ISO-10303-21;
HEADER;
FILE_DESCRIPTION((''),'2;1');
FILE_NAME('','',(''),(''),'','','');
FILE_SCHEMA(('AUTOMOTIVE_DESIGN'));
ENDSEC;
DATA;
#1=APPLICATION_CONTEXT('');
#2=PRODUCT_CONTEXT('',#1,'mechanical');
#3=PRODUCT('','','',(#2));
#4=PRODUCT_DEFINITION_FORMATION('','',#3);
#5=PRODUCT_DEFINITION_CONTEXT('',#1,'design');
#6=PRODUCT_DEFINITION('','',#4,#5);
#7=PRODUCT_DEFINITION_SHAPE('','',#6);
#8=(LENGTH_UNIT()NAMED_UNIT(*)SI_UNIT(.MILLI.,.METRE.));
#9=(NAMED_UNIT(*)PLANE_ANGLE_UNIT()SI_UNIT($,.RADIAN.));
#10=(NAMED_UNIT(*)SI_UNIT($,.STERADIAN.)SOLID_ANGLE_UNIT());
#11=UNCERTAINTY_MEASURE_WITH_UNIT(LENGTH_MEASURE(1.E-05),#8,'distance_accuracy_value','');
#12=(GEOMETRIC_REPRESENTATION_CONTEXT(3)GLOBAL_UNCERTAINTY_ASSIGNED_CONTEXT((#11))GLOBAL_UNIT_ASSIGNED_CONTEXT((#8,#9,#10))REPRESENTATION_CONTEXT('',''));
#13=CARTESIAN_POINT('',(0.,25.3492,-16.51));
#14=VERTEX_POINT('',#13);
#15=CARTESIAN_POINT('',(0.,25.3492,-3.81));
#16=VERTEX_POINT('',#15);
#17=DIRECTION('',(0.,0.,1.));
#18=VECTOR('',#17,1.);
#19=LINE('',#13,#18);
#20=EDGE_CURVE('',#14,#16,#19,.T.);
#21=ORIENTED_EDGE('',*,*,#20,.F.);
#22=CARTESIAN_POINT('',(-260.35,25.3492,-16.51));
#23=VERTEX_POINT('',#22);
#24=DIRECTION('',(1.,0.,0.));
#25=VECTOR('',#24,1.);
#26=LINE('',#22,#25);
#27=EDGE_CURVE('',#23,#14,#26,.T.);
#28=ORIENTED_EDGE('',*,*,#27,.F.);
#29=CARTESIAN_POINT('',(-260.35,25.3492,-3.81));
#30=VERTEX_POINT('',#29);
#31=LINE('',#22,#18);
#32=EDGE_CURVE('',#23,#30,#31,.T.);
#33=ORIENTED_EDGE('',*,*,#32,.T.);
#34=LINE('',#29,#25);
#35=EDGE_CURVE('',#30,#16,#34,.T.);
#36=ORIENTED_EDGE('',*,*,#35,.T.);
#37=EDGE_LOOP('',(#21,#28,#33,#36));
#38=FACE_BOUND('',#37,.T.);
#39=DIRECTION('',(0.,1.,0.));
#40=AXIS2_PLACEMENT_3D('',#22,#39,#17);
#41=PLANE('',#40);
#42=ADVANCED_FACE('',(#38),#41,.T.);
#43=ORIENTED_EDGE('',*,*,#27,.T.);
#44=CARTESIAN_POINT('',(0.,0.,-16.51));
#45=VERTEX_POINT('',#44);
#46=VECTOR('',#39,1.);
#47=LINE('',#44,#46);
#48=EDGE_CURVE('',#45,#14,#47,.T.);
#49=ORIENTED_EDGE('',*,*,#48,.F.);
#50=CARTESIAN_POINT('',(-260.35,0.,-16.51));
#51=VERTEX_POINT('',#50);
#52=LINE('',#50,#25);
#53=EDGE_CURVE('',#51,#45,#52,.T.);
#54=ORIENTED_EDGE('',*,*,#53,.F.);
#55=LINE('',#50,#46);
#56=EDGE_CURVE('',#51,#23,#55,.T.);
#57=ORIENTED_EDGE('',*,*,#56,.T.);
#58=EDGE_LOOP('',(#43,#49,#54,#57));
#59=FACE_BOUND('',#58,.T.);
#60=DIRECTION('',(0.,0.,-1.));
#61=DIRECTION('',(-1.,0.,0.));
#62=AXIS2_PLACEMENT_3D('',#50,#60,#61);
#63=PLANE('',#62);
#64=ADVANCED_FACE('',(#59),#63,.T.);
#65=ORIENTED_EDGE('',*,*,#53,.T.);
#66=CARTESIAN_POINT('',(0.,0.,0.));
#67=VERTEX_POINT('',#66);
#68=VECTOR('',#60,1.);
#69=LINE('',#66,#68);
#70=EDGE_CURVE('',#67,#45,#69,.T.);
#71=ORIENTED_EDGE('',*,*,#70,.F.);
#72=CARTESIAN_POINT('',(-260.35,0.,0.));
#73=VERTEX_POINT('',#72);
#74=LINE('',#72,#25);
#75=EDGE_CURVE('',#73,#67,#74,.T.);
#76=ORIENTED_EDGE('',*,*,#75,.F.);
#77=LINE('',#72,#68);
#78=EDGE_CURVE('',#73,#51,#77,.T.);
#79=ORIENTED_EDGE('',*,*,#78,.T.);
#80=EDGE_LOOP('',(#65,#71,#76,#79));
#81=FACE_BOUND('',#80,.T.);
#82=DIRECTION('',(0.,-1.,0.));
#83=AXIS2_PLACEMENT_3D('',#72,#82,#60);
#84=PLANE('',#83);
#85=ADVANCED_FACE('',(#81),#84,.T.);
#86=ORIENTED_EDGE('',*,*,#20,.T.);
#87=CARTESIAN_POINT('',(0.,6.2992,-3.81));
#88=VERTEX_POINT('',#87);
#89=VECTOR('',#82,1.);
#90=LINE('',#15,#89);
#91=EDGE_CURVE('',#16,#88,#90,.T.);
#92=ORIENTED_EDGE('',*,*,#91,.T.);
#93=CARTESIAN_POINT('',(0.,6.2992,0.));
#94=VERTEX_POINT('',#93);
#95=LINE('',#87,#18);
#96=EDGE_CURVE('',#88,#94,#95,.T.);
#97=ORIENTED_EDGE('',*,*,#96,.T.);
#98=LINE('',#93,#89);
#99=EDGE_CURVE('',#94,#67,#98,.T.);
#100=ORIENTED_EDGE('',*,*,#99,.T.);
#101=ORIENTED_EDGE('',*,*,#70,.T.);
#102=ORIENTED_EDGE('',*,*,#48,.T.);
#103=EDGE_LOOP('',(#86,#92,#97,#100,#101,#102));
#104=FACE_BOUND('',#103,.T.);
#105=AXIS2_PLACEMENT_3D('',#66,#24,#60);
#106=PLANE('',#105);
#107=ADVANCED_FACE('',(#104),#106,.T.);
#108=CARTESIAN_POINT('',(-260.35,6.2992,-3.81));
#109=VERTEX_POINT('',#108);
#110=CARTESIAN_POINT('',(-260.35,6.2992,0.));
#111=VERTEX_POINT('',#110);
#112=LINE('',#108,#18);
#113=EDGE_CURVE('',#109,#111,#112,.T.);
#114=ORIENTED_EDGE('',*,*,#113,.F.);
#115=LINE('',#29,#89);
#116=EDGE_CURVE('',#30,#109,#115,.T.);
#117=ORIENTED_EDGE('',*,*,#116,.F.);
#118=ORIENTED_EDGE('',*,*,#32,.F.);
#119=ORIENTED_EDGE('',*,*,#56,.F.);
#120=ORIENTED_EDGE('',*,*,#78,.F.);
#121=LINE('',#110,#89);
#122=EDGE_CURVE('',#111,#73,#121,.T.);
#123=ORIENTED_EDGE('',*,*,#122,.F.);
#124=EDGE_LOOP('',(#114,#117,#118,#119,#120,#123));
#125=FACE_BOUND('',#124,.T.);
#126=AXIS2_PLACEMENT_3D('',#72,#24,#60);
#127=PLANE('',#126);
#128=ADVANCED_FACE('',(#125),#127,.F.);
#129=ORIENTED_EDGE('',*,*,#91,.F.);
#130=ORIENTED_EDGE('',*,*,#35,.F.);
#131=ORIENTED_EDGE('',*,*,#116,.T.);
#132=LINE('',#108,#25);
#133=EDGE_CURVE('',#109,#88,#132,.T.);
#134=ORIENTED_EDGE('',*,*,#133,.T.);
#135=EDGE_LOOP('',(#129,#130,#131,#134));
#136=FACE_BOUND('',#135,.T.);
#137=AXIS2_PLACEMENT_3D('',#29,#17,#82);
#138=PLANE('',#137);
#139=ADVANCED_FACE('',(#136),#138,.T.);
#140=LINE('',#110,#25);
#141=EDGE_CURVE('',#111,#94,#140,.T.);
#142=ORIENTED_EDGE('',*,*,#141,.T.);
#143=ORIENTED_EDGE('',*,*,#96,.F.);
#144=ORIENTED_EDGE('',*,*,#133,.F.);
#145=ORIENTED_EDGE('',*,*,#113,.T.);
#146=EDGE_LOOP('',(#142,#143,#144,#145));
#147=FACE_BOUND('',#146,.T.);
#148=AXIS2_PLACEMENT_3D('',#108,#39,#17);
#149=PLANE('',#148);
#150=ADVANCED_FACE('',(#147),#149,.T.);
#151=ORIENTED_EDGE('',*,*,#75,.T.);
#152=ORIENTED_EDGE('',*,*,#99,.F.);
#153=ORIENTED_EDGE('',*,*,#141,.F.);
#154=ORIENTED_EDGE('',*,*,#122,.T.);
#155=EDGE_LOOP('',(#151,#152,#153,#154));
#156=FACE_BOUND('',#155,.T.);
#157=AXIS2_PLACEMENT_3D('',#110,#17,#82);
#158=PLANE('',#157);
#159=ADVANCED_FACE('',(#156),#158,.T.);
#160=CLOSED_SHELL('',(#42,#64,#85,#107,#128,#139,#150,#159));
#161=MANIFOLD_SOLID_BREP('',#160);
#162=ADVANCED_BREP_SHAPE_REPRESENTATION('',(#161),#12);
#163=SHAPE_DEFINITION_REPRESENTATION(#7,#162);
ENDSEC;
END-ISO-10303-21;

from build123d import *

# Parameters (mm, degrees)
BOSS_EXTRUDE1_DEPTH = 260.35


with BuildPart() as part:
    # Sketch2 → Boss-Extrude1 (new body)
    with BuildSketch(Plane(origin=(0, 0, 0), x_dir=(0, 0, -1), z_dir=(1, 0, 0))):
        Polygon((0, 0), (16.51, 0), (16.51, 25.3492), (3.81, 25.3492), (3.81, 6.2992), (0, 6.2992), align=None)
    extrude(amount=-BOSS_EXTRUDE1_DEPTH)


solid = part.part
